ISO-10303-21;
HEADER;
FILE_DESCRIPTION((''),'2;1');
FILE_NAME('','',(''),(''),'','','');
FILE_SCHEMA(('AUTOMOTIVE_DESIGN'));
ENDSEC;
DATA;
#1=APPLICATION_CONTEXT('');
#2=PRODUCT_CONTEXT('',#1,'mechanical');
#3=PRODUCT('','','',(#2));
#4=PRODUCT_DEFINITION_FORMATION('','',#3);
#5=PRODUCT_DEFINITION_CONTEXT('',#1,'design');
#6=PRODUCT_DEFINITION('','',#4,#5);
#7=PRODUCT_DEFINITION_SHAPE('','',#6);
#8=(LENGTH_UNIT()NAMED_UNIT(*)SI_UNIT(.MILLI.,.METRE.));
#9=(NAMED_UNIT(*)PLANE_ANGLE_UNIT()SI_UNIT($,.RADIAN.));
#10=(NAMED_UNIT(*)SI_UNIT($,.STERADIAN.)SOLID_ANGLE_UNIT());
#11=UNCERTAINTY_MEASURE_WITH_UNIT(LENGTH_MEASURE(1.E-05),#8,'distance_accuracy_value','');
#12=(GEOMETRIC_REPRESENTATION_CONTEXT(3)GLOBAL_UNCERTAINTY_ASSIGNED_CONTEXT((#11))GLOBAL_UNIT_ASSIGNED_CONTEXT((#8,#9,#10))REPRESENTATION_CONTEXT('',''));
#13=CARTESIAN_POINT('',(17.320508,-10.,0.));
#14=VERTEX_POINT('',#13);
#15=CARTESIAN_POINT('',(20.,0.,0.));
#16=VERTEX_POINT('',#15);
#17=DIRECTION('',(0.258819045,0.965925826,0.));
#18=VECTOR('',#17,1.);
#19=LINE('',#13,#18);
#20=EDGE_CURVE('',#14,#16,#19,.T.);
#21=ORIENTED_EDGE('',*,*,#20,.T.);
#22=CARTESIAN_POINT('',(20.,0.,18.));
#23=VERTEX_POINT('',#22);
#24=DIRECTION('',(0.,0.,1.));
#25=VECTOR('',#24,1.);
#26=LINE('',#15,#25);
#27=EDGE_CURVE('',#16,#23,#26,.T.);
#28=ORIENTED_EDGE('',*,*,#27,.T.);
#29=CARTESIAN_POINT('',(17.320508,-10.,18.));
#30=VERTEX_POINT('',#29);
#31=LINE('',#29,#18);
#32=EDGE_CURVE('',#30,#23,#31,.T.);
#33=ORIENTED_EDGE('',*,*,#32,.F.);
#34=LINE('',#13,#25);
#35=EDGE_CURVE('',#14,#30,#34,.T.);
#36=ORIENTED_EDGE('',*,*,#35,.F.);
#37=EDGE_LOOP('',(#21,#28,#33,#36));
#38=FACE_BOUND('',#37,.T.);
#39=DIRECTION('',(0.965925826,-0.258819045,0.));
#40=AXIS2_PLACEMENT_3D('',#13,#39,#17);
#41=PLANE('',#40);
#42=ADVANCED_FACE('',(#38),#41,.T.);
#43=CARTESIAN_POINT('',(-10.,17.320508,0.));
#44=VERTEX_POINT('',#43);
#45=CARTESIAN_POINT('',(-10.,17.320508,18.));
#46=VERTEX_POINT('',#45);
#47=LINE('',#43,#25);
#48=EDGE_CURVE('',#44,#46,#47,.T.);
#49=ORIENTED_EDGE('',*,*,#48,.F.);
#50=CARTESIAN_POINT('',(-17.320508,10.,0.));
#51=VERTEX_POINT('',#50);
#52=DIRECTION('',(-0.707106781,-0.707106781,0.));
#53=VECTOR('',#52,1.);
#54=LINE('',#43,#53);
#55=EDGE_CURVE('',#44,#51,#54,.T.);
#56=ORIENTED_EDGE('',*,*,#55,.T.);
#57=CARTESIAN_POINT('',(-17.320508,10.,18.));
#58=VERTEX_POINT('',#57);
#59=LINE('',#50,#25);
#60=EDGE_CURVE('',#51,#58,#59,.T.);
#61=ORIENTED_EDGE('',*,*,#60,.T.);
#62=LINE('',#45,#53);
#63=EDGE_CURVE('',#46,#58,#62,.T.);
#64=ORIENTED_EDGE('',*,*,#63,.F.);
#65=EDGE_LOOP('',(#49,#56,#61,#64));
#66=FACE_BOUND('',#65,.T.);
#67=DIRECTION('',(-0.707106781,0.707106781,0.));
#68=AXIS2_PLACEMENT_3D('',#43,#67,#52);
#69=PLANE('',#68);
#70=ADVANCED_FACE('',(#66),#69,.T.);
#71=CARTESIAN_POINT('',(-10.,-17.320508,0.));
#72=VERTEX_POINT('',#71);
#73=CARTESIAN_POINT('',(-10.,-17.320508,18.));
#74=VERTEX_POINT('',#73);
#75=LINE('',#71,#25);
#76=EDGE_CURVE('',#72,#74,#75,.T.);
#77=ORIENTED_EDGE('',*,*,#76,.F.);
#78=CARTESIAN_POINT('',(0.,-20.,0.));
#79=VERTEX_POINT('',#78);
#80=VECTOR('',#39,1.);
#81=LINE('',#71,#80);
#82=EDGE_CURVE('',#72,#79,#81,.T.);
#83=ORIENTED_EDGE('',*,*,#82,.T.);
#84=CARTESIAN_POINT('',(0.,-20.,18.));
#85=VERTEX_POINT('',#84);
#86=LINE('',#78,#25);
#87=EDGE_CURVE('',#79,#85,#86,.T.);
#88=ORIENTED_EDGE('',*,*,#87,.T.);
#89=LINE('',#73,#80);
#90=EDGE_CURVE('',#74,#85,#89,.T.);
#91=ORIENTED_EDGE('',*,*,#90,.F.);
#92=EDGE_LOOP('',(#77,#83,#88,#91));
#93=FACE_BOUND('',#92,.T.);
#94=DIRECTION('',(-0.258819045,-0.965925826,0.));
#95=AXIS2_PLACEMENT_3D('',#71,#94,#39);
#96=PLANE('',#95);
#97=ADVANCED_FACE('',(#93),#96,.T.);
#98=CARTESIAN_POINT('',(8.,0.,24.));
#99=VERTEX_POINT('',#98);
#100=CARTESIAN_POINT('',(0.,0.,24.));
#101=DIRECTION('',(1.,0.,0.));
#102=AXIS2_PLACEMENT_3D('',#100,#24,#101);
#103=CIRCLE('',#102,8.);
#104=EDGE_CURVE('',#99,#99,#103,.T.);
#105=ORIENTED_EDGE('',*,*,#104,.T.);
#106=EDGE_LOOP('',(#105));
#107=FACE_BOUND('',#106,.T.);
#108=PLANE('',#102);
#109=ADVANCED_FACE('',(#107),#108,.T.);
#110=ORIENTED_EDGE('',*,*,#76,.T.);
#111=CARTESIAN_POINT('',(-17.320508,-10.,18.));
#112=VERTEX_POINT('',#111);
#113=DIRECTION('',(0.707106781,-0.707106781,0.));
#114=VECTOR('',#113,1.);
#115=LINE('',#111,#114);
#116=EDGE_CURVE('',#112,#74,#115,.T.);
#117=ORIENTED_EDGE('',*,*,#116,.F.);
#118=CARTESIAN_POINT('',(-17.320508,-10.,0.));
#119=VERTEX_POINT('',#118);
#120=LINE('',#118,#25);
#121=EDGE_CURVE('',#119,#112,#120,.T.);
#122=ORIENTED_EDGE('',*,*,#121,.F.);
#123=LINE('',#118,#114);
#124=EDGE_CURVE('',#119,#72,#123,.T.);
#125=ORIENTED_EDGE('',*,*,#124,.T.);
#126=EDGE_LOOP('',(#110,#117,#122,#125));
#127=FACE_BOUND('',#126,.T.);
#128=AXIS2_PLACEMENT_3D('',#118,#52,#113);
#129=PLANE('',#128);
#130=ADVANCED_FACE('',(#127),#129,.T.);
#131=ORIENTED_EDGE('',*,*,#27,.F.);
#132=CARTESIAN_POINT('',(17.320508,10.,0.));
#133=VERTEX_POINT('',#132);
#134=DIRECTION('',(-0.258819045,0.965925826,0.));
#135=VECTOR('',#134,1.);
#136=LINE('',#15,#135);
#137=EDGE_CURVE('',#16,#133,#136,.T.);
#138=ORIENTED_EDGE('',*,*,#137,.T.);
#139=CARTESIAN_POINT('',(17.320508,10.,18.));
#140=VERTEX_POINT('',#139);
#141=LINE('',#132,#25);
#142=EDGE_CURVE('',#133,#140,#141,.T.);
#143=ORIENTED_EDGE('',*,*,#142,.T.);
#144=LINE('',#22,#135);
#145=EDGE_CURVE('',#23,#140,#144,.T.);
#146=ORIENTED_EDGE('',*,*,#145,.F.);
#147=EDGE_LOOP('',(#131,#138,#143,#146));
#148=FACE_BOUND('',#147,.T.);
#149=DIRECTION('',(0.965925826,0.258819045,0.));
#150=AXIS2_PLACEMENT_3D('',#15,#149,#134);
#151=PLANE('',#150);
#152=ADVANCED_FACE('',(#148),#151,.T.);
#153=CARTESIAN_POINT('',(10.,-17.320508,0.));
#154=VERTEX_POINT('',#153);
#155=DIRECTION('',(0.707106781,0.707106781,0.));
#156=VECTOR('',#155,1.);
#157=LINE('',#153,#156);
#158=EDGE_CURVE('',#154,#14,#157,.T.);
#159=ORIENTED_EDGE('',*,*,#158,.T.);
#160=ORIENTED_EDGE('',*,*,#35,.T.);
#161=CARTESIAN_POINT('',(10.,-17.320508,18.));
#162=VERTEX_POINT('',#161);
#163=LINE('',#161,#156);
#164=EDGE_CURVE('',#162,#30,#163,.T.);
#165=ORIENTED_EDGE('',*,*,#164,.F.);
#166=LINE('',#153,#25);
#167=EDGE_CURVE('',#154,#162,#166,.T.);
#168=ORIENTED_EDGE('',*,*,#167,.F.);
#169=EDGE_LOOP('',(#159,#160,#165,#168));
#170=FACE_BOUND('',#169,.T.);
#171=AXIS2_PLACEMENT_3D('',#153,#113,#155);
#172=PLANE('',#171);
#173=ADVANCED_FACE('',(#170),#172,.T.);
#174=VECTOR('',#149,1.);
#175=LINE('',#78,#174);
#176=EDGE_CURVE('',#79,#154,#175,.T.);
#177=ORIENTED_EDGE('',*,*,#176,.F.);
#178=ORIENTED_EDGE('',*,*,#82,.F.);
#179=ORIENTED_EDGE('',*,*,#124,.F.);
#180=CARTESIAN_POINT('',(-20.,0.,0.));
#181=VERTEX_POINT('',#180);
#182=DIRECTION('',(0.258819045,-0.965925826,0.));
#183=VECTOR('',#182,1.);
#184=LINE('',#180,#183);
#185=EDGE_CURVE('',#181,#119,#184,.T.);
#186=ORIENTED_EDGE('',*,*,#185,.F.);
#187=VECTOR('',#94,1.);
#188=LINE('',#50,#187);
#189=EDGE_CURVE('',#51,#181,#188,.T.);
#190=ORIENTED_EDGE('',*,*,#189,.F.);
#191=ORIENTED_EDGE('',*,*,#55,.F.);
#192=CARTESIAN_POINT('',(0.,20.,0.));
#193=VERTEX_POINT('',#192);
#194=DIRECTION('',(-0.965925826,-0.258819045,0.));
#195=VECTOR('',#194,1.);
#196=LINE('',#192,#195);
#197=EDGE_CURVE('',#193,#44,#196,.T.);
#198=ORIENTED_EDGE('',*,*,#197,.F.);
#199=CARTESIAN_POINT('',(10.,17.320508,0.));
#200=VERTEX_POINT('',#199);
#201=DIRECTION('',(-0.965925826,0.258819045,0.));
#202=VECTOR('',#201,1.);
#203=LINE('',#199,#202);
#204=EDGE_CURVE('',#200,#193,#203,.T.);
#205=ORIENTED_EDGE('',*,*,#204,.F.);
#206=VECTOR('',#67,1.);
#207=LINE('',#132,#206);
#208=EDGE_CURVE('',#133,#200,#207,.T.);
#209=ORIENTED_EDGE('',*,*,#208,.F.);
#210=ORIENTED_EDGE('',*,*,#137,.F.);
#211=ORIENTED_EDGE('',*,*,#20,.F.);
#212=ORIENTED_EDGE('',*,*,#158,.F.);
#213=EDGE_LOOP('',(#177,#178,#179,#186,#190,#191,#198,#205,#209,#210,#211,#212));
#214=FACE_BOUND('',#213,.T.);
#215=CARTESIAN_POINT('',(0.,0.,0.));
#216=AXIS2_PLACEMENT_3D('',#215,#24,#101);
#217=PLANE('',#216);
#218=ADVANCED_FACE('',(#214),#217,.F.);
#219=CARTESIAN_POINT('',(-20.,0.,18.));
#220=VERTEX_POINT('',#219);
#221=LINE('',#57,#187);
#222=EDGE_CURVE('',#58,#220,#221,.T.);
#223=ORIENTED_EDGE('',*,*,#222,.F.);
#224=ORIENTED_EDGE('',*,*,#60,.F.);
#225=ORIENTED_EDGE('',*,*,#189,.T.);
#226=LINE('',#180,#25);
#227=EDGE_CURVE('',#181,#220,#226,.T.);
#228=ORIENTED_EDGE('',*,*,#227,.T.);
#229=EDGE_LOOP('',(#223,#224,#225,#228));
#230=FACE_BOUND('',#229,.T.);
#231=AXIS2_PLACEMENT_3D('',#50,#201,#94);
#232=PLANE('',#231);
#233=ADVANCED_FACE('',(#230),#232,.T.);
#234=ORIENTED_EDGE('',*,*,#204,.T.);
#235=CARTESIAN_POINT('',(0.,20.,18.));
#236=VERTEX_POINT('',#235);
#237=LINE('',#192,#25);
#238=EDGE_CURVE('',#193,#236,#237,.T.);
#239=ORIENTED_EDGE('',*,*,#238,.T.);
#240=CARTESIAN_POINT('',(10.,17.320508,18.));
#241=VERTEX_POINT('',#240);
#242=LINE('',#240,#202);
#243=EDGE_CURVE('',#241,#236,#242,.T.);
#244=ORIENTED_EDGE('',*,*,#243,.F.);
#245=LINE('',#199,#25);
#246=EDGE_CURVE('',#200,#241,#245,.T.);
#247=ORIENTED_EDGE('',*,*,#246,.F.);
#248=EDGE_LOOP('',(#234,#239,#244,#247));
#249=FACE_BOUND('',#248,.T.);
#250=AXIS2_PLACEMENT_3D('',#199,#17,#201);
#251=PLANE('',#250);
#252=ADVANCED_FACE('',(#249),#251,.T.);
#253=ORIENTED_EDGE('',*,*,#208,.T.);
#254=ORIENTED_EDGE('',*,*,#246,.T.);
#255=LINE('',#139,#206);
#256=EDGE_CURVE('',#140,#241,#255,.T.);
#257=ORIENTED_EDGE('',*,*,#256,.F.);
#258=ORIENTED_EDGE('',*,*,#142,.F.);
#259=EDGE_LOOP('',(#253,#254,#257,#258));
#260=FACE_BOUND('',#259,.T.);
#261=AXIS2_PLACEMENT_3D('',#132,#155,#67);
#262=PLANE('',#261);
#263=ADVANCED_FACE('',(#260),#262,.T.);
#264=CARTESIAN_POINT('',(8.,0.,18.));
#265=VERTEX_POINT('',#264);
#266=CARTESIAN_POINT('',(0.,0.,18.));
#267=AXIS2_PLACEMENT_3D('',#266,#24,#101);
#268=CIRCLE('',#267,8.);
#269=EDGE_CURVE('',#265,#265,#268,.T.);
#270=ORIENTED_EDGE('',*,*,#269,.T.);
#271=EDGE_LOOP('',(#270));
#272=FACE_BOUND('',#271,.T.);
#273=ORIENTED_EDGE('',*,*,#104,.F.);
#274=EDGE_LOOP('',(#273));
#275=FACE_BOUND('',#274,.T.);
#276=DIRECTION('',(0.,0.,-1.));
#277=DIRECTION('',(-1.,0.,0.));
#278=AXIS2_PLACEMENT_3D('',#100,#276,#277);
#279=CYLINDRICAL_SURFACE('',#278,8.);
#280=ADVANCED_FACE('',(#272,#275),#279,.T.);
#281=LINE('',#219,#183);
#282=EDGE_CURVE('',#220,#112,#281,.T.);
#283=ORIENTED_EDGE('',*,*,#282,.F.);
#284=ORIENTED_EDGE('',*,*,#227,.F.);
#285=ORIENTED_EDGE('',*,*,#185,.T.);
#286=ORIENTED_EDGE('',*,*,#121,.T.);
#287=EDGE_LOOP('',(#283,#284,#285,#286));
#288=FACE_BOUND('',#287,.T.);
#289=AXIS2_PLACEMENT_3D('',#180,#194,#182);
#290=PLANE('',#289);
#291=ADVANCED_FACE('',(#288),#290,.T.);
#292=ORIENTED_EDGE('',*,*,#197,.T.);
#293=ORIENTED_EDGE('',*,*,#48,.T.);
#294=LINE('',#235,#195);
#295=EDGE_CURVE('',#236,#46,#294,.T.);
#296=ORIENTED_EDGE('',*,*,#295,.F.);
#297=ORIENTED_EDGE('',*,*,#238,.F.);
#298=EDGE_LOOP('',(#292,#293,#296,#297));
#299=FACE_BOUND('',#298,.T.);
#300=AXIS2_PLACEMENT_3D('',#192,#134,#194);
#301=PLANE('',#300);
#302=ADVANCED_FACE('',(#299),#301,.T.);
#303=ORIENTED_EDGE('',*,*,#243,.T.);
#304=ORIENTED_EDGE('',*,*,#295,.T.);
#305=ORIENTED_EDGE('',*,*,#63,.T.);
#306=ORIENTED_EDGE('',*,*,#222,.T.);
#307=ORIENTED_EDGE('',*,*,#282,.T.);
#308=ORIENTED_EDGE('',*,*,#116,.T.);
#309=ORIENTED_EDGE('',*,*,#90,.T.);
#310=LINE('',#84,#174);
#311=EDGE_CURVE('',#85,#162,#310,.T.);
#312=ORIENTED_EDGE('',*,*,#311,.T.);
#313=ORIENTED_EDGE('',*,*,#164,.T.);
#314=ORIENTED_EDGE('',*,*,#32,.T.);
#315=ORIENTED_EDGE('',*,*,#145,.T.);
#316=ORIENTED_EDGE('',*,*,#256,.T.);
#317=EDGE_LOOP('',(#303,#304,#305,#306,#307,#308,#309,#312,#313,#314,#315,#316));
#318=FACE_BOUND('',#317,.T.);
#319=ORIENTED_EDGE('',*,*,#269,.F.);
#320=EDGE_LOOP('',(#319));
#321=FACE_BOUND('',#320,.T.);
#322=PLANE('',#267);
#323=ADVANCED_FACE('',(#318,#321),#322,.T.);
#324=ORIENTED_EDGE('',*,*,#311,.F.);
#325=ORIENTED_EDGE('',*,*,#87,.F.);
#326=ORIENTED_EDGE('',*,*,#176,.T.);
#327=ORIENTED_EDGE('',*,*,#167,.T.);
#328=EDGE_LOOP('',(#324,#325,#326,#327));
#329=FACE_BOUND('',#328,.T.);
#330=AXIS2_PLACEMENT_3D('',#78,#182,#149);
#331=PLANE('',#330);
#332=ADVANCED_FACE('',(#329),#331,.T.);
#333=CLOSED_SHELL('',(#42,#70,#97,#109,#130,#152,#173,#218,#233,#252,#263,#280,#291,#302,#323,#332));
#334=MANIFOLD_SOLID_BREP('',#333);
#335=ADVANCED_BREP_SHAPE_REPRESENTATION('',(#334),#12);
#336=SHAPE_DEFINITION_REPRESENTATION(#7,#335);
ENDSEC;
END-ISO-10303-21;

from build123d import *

# Parameters (mm, degrees)
SKETCH_1_R          = 8
EXTRUDE_1_DEPTH     = 24
SKETCH_2_R          = 42
EXTRUDE_2_DEPTH     = 18
SKETCH_3_OUTSIDE_W  = 110.238
SKETCH_3_OUTSIDE_H  = 110.238
CUT_EXTRUDE_1_DEPTH = 63.064482597


with BuildPart() as part:
    # 草图1 → 凸台-拉伸1 (new body)
    with BuildSketch(Plane.XY):
        Circle(SKETCH_1_R)
    extrude(amount=EXTRUDE_1_DEPTH)

    # 草图2 → 凸台-拉伸2 (add)
    with BuildSketch(Plane.XY):
        Circle(SKETCH_2_R)
    extrude(amount=EXTRUDE_2_DEPTH)

    # 草图3 outside → 切除-拉伸1 (cut, through all)
    with BuildSketch(Plane.XY.offset(18)):
        Rectangle(SKETCH_3_OUTSIDE_W, SKETCH_3_OUTSIDE_H)
        Polygon((20, 0), (17.320508076, 10), (10, 17.320508076), (0, 20), (-10, 17.320508076), (-17.320508076, 10), (-20, 0), (-17.320508076, -10), (-10, -17.320508076), (0, -20), (10, -17.320508076), (17.320508076, -10), align=None, mode=Mode.SUBTRACT)
    extrude(amount=-CUT_EXTRUDE_1_DEPTH, mode=Mode.SUBTRACT)


solid = part.part
